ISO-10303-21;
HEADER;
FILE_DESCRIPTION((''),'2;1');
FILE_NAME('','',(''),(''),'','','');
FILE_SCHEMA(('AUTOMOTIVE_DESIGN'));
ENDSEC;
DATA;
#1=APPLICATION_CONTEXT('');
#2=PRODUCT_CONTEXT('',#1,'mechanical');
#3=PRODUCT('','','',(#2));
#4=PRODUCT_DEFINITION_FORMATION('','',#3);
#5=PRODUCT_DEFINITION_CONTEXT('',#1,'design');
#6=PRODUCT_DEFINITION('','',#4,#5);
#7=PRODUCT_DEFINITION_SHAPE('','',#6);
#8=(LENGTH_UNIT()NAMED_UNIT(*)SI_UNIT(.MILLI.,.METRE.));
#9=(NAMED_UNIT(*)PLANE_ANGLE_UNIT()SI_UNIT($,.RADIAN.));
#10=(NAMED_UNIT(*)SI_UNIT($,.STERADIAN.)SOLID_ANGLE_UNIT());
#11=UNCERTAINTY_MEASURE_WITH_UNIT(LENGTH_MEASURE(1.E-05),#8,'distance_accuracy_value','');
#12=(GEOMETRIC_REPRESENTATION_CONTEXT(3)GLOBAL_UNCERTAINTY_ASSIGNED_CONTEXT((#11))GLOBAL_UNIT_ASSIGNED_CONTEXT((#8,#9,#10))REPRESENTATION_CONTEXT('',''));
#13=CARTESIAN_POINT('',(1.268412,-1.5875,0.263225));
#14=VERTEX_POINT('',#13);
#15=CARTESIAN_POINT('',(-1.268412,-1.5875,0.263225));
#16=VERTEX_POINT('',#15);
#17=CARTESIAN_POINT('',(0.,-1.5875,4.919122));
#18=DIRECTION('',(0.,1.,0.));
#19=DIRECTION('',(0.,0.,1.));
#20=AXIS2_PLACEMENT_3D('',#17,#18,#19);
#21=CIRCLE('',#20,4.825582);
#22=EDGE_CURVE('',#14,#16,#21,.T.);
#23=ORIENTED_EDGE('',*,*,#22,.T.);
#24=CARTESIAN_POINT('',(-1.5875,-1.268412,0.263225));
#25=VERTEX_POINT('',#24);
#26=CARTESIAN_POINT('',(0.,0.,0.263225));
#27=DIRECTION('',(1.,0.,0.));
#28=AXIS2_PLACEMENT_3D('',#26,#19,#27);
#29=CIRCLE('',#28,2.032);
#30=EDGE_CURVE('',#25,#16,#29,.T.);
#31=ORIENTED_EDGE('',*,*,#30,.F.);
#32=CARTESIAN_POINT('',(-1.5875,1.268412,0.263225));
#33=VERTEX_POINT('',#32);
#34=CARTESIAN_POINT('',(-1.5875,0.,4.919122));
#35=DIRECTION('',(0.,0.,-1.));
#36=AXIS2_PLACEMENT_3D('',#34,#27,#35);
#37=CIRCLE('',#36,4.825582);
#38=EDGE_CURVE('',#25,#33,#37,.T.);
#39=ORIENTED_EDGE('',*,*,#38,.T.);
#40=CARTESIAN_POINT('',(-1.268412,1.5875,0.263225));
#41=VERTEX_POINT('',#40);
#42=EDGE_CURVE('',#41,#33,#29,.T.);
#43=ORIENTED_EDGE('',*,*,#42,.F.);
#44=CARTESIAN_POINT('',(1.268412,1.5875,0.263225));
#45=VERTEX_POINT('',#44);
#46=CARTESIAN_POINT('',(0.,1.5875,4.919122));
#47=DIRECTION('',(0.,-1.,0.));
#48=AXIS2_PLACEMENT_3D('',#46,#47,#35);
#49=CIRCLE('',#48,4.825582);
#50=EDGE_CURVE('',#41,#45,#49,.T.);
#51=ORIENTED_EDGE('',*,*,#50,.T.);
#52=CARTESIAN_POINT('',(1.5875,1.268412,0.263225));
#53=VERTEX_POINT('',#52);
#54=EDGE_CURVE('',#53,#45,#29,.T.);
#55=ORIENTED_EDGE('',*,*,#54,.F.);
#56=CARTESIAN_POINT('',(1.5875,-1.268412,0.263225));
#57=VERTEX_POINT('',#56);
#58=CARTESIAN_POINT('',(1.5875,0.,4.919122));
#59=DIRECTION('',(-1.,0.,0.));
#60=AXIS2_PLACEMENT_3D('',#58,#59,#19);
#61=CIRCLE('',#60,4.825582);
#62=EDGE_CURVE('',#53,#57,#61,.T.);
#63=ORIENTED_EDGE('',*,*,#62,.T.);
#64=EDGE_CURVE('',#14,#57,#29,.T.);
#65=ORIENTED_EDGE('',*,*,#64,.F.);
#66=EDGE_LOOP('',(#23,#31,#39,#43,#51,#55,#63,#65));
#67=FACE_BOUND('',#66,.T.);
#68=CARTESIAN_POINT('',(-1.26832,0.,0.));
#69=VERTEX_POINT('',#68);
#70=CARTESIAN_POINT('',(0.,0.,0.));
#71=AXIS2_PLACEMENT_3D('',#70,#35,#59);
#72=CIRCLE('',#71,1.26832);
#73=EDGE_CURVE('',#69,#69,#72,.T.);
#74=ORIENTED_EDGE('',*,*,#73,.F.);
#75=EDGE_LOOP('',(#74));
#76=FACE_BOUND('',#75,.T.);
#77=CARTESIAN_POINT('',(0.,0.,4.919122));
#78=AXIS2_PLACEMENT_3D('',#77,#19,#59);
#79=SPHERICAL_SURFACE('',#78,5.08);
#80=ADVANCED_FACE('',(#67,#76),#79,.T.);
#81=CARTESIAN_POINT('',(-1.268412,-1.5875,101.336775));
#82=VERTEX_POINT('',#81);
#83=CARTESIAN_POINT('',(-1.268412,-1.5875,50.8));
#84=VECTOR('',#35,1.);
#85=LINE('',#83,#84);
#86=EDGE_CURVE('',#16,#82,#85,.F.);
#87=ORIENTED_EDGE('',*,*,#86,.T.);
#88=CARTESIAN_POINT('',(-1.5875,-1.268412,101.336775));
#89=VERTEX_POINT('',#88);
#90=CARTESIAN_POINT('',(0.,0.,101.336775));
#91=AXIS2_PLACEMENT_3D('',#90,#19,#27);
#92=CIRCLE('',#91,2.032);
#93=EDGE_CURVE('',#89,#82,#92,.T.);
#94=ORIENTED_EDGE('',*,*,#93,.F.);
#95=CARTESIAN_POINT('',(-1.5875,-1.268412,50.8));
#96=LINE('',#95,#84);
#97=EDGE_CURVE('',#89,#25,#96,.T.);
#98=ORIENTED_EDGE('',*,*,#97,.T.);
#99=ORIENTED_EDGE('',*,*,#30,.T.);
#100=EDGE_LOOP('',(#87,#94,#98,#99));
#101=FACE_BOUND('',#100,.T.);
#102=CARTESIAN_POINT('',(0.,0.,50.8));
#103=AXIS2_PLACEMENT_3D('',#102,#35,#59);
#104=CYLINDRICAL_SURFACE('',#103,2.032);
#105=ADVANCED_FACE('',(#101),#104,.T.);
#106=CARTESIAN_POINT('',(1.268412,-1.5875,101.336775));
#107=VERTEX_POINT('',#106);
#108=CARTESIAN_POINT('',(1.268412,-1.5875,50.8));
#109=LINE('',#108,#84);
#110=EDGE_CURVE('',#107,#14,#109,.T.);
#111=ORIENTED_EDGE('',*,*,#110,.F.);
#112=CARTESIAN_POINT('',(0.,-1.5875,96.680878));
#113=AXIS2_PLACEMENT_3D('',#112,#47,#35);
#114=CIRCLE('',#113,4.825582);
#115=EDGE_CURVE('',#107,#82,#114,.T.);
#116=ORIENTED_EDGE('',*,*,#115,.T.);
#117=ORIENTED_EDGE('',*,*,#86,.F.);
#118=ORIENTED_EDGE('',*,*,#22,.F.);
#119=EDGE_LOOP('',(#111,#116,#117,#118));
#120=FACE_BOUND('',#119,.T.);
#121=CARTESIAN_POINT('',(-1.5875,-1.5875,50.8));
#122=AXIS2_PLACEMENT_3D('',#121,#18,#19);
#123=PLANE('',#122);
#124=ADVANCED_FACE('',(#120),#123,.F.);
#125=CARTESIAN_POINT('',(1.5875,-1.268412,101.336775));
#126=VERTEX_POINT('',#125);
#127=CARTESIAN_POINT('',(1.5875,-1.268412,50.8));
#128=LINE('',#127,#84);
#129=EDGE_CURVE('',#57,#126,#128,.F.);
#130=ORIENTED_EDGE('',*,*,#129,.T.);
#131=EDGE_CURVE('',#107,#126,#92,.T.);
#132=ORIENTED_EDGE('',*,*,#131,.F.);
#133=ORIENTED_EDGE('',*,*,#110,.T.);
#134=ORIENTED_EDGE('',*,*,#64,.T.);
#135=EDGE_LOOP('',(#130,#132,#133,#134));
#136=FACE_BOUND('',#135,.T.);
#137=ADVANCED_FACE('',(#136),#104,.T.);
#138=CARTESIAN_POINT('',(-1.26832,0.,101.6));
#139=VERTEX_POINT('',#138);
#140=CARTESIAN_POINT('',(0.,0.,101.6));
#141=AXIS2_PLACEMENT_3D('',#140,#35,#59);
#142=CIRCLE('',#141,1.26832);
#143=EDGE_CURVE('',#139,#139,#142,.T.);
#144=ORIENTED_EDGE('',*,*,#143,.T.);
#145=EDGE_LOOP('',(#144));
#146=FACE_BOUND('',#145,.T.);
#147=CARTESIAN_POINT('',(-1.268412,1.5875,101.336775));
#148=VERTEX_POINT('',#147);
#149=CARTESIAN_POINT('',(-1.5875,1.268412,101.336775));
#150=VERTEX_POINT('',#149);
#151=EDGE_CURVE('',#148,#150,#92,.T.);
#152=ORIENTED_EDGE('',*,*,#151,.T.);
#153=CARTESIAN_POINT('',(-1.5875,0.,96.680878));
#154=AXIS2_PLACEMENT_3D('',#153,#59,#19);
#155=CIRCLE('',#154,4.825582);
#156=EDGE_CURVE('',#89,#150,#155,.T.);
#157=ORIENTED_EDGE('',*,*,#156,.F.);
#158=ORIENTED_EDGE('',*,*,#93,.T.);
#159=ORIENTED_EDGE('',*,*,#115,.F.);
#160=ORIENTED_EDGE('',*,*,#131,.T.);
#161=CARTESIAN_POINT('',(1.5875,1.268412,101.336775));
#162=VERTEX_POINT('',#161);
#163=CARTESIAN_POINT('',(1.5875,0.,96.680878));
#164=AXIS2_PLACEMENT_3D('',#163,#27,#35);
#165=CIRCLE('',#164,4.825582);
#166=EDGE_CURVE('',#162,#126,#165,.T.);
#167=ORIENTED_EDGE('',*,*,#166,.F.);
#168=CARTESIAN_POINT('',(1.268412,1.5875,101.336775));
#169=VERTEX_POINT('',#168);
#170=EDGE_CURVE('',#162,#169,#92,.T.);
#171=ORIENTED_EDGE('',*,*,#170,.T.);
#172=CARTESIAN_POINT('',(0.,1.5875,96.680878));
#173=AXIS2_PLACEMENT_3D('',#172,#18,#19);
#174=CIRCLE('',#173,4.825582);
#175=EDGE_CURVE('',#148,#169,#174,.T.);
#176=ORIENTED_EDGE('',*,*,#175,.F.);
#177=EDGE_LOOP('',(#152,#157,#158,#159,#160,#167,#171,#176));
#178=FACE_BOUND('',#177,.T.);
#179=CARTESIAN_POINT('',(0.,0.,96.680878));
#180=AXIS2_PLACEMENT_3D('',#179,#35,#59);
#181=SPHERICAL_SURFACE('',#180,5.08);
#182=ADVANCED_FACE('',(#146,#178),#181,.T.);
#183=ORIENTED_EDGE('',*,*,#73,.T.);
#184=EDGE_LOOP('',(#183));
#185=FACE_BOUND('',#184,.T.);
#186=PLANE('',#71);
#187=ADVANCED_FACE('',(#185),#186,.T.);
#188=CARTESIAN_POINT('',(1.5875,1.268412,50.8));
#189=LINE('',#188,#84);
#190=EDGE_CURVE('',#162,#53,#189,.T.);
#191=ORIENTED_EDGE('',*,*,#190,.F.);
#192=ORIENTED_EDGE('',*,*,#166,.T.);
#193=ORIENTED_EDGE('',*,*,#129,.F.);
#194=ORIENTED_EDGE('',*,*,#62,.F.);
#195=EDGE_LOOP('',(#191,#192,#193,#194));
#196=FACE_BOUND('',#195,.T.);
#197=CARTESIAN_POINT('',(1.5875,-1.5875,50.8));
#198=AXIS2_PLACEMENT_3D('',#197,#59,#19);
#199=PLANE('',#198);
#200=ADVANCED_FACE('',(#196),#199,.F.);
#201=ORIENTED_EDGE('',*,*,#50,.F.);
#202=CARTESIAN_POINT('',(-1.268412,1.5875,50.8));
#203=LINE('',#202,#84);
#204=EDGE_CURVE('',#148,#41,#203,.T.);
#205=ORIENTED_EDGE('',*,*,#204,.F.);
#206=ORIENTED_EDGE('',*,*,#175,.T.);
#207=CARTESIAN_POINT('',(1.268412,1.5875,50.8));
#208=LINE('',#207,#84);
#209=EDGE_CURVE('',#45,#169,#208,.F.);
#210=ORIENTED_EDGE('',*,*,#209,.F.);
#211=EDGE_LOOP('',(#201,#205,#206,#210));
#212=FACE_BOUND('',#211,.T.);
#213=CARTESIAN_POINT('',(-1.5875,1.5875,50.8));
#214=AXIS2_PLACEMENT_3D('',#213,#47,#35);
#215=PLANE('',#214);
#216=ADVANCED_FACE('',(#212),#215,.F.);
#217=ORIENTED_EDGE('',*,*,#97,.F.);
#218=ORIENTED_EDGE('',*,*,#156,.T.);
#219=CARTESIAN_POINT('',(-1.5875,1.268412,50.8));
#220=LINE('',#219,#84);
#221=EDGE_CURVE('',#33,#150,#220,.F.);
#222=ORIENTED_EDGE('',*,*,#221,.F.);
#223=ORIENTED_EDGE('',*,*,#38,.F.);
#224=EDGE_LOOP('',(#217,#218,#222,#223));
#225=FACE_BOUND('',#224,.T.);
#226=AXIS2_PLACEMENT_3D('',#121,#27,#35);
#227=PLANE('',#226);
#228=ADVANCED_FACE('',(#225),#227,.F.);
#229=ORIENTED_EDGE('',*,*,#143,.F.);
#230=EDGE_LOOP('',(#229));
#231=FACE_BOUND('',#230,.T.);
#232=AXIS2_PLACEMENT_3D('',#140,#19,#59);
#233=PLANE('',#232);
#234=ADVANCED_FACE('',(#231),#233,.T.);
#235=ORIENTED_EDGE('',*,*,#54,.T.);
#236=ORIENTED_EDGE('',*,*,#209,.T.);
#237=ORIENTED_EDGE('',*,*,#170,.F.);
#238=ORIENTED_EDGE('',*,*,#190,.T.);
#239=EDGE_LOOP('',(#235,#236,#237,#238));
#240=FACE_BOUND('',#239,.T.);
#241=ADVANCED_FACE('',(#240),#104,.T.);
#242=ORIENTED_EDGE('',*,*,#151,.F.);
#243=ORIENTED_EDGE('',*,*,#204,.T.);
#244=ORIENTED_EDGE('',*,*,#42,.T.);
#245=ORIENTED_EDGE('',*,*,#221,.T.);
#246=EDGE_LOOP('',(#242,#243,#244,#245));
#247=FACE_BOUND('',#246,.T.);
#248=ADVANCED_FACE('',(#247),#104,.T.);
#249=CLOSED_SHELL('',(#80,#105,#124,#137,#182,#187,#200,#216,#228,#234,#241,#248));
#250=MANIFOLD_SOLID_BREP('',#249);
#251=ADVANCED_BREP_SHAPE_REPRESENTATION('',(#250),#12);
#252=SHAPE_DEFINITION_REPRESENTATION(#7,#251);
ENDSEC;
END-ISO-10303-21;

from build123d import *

# Parameters (mm, degrees)
SKETCH1_W           = 3.175
SKETCH1_H           = 3.175
BOSS_EXTRUDE1_DEPTH = 50.8
SKETCH2_OUTSIDE_W   = 15.376
SKETCH2_OUTSIDE_H   = 15.375
SKETCH2_OUTSIDE_R   = 2.032
CUT_EXTRUDE1_DEPTH  = 51.8


with BuildPart() as part:
    # Sketch1 → Boss-Extrude1 (new body)
    with BuildSketch(Plane.XY):
        Rectangle(SKETCH1_W, SKETCH1_H)
    extrude(amount=BOSS_EXTRUDE1_DEPTH)

    # Sketch2 outside → Cut-Extrude1 (cut, through all)
    with BuildSketch(Plane(origin=(0, 0, 0), x_dir=(-1, 0, 0), z_dir=(0, 0, -1))):
        with Locations((0, -0.0005)):
            Rectangle(SKETCH2_OUTSIDE_W, SKETCH2_OUTSIDE_H)
        Circle(SKETCH2_OUTSIDE_R, mode=Mode.SUBTRACT)
    extrude(amount=-CUT_EXTRUDE1_DEPTH, mode=Mode.SUBTRACT)

    # Sketch3 → Cut-Revolve1 (revolve, cut)
    with BuildSketch(Plane(origin=(0, 0, 0), x_dir=(1, 0, 0), z_dir=(0, 1, 0))):
        with BuildLine():
            Line((-5.053685963, -4.40273269), (-5.053685963, 5.740530545))
            Line((-5.053685963, 5.740530545), (0, 5.740530545))
            Line((0, 5.740530545), (0, 0.160877736))
            ThreePointArc((0, 0.160877736), (-3.404639553, -1.148866368), (-5.053685963, -4.40273269))
        make_face()
    revolve(axis=Axis((0, 0, 50.8), (0, 0, -1)), mode=Mode.SUBTRACT)

    # Mirror1: part across plane


with BuildPart() as part_1:
    add(part.part)
    add(part.part.mirror(Plane(origin=(0, 0, 50.8), x_dir=(1, 0, 0), z_dir=(0, 0, -1))))


solid = part_1.part
